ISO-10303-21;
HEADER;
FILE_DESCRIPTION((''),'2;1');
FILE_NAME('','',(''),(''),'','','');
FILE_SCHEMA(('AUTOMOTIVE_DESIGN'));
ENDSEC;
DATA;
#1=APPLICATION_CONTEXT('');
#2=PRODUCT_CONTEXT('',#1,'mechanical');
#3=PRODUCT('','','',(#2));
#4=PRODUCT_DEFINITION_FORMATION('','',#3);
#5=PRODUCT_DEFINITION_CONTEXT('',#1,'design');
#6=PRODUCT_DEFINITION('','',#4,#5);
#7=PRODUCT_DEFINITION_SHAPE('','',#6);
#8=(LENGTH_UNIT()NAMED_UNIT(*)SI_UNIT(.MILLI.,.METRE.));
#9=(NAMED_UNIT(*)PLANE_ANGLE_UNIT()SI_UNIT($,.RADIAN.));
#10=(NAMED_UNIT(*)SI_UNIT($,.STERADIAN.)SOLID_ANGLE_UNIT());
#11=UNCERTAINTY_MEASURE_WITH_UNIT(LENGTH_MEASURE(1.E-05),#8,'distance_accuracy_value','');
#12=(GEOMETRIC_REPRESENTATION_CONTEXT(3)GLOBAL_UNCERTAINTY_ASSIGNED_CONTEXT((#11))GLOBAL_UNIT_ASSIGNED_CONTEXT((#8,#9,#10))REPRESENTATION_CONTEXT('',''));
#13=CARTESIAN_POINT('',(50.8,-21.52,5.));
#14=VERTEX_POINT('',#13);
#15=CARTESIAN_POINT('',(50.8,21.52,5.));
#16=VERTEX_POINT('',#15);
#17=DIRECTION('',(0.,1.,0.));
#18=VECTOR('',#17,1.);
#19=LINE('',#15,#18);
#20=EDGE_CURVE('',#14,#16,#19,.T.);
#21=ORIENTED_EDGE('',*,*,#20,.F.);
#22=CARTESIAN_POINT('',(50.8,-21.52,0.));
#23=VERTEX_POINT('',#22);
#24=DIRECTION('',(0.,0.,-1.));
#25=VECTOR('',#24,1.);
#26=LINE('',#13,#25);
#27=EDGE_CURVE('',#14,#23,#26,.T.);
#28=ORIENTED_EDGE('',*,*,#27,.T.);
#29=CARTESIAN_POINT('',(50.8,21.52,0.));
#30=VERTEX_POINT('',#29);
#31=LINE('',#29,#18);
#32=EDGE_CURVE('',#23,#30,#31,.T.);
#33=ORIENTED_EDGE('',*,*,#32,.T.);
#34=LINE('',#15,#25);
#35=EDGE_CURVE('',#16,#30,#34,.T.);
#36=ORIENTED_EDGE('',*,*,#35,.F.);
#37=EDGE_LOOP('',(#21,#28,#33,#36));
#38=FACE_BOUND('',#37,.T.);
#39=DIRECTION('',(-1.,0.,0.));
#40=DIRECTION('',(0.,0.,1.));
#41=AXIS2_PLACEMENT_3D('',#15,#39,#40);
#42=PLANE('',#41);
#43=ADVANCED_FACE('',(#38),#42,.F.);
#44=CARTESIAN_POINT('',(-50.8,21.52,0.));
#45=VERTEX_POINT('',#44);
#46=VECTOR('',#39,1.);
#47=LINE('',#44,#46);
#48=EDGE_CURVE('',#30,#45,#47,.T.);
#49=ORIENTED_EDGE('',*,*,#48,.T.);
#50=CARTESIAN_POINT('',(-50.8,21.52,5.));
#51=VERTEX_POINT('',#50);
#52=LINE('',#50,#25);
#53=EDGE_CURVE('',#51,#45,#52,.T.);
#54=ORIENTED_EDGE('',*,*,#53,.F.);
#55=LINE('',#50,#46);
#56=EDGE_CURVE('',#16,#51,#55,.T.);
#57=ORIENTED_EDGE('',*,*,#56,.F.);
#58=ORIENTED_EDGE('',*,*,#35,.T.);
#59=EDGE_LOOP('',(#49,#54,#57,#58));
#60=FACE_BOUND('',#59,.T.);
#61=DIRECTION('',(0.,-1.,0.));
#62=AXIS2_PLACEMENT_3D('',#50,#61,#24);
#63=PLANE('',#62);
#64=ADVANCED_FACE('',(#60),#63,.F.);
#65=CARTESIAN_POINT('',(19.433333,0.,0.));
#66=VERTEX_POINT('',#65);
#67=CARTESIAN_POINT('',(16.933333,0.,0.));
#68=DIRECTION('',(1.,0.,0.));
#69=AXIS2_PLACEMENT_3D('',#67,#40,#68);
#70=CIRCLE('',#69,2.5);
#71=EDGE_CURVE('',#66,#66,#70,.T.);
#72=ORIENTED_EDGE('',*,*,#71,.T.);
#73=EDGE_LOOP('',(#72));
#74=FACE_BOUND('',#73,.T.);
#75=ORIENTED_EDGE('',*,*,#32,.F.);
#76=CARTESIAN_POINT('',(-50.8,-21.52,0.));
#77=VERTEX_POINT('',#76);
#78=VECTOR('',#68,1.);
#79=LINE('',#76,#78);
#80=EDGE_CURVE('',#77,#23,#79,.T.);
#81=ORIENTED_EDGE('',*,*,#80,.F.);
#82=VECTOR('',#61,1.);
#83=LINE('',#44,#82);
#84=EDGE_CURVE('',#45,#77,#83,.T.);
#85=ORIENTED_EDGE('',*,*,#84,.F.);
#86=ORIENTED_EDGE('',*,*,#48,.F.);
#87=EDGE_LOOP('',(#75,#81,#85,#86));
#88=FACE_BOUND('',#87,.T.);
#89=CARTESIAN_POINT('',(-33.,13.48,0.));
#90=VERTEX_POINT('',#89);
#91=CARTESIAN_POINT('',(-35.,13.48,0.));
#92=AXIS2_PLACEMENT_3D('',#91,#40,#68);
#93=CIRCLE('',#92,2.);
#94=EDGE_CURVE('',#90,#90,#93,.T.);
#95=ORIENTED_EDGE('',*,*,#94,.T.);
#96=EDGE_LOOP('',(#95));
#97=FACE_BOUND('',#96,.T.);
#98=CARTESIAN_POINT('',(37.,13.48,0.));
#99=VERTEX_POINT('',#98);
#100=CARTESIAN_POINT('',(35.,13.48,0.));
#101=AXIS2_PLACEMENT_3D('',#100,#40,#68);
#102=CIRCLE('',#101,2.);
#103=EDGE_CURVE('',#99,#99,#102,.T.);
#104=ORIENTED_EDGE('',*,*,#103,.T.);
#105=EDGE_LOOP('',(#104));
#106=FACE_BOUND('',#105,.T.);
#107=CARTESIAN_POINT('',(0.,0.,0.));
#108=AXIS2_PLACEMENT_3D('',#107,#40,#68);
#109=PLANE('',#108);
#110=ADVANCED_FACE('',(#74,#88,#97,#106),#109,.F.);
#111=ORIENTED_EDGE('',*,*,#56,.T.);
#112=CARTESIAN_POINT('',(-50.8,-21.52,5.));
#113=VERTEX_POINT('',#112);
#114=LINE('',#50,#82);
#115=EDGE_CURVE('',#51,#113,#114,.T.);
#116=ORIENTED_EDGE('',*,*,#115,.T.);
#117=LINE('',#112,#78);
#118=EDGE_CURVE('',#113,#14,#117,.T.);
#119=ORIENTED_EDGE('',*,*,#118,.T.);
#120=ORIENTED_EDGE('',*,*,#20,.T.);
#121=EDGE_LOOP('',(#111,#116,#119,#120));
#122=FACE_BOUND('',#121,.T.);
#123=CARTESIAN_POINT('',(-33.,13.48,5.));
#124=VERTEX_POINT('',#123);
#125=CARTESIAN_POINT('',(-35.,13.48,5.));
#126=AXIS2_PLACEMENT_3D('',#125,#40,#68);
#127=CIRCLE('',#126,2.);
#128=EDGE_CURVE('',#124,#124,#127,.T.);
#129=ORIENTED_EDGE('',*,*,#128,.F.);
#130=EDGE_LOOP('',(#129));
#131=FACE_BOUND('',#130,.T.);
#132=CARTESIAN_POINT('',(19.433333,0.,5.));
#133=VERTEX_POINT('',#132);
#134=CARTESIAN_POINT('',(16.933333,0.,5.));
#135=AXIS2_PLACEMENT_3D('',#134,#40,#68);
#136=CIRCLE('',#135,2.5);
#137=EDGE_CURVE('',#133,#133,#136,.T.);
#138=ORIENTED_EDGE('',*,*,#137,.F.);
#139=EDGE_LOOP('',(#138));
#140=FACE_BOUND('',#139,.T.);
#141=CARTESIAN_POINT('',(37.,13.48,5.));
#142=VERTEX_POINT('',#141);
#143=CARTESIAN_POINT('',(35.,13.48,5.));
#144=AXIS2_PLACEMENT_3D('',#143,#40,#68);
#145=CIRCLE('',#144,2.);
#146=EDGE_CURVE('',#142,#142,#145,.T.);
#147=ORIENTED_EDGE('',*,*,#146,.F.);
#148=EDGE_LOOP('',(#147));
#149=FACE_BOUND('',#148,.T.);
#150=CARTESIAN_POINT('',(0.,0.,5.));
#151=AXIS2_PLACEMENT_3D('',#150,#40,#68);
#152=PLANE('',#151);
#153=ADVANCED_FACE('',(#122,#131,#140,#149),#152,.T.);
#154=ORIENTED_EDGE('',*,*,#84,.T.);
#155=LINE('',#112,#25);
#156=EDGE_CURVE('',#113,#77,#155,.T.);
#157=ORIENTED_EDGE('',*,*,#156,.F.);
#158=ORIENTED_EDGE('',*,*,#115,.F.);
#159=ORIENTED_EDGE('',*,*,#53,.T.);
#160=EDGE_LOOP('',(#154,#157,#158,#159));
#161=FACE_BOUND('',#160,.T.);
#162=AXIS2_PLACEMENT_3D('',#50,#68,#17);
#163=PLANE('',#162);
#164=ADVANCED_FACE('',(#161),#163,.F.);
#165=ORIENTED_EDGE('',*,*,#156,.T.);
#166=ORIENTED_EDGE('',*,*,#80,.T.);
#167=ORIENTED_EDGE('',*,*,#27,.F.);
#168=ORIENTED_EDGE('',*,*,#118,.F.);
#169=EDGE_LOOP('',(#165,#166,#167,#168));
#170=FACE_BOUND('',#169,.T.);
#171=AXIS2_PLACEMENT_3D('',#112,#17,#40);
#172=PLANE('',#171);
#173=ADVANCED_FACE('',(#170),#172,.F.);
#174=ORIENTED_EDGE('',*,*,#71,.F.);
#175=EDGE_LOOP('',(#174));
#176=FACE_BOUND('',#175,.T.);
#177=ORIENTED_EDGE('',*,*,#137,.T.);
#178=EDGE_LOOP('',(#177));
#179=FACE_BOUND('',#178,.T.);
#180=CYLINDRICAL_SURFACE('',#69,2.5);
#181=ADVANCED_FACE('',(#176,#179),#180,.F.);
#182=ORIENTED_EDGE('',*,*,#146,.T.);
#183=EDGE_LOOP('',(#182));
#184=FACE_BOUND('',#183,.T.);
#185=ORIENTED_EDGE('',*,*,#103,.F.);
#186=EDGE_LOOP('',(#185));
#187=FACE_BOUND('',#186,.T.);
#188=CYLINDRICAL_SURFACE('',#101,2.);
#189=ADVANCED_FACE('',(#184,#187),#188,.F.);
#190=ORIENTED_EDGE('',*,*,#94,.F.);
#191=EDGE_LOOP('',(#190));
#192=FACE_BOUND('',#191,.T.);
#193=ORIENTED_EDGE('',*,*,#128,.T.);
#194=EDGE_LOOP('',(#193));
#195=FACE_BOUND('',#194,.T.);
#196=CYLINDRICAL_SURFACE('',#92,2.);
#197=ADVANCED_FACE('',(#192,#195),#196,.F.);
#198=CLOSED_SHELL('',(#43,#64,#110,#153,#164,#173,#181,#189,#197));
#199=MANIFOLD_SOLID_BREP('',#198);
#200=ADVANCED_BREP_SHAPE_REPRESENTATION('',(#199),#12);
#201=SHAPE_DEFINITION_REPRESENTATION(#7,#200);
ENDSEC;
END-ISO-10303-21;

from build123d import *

# Parameters (mm, degrees)
SKETCH1_W           = 101.6
SKETCH1_H           = 43.04
BOSS_EXTRUDE1_DEPTH = 5
SKETCH2_R           = 2.5
CUT_EXTRUDE1_DEPTH  = 56.396303126
SKETCH3_R           = 2
CUT_EXTRUDE2_DEPTH  = 56.396303126


with BuildPart() as part:
    # Sketch1 → Boss-Extrude1 (new body)
    with BuildSketch(Plane.XY):
        Rectangle(SKETCH1_W, SKETCH1_H)
    extrude(amount=BOSS_EXTRUDE1_DEPTH)

    # Sketch2 → Cut-Extrude1 (cut, through all)
    with BuildSketch(Plane.XY.offset(5)):
        with Locations((16.93333334, 0)):
            Circle(SKETCH2_R)
    extrude(amount=-CUT_EXTRUDE1_DEPTH, mode=Mode.SUBTRACT)

    # Sketch3 → Cut-Extrude2 (cut, through all)
    with BuildSketch(Plane.XY.offset(5)):
        with Locations((-35, 13.48)):
            Circle(SKETCH3_R)
        with Locations((35, 13.48)):
            Circle(SKETCH3_R)
    extrude(amount=-CUT_EXTRUDE2_DEPTH, mode=Mode.SUBTRACT)


solid = part.part
